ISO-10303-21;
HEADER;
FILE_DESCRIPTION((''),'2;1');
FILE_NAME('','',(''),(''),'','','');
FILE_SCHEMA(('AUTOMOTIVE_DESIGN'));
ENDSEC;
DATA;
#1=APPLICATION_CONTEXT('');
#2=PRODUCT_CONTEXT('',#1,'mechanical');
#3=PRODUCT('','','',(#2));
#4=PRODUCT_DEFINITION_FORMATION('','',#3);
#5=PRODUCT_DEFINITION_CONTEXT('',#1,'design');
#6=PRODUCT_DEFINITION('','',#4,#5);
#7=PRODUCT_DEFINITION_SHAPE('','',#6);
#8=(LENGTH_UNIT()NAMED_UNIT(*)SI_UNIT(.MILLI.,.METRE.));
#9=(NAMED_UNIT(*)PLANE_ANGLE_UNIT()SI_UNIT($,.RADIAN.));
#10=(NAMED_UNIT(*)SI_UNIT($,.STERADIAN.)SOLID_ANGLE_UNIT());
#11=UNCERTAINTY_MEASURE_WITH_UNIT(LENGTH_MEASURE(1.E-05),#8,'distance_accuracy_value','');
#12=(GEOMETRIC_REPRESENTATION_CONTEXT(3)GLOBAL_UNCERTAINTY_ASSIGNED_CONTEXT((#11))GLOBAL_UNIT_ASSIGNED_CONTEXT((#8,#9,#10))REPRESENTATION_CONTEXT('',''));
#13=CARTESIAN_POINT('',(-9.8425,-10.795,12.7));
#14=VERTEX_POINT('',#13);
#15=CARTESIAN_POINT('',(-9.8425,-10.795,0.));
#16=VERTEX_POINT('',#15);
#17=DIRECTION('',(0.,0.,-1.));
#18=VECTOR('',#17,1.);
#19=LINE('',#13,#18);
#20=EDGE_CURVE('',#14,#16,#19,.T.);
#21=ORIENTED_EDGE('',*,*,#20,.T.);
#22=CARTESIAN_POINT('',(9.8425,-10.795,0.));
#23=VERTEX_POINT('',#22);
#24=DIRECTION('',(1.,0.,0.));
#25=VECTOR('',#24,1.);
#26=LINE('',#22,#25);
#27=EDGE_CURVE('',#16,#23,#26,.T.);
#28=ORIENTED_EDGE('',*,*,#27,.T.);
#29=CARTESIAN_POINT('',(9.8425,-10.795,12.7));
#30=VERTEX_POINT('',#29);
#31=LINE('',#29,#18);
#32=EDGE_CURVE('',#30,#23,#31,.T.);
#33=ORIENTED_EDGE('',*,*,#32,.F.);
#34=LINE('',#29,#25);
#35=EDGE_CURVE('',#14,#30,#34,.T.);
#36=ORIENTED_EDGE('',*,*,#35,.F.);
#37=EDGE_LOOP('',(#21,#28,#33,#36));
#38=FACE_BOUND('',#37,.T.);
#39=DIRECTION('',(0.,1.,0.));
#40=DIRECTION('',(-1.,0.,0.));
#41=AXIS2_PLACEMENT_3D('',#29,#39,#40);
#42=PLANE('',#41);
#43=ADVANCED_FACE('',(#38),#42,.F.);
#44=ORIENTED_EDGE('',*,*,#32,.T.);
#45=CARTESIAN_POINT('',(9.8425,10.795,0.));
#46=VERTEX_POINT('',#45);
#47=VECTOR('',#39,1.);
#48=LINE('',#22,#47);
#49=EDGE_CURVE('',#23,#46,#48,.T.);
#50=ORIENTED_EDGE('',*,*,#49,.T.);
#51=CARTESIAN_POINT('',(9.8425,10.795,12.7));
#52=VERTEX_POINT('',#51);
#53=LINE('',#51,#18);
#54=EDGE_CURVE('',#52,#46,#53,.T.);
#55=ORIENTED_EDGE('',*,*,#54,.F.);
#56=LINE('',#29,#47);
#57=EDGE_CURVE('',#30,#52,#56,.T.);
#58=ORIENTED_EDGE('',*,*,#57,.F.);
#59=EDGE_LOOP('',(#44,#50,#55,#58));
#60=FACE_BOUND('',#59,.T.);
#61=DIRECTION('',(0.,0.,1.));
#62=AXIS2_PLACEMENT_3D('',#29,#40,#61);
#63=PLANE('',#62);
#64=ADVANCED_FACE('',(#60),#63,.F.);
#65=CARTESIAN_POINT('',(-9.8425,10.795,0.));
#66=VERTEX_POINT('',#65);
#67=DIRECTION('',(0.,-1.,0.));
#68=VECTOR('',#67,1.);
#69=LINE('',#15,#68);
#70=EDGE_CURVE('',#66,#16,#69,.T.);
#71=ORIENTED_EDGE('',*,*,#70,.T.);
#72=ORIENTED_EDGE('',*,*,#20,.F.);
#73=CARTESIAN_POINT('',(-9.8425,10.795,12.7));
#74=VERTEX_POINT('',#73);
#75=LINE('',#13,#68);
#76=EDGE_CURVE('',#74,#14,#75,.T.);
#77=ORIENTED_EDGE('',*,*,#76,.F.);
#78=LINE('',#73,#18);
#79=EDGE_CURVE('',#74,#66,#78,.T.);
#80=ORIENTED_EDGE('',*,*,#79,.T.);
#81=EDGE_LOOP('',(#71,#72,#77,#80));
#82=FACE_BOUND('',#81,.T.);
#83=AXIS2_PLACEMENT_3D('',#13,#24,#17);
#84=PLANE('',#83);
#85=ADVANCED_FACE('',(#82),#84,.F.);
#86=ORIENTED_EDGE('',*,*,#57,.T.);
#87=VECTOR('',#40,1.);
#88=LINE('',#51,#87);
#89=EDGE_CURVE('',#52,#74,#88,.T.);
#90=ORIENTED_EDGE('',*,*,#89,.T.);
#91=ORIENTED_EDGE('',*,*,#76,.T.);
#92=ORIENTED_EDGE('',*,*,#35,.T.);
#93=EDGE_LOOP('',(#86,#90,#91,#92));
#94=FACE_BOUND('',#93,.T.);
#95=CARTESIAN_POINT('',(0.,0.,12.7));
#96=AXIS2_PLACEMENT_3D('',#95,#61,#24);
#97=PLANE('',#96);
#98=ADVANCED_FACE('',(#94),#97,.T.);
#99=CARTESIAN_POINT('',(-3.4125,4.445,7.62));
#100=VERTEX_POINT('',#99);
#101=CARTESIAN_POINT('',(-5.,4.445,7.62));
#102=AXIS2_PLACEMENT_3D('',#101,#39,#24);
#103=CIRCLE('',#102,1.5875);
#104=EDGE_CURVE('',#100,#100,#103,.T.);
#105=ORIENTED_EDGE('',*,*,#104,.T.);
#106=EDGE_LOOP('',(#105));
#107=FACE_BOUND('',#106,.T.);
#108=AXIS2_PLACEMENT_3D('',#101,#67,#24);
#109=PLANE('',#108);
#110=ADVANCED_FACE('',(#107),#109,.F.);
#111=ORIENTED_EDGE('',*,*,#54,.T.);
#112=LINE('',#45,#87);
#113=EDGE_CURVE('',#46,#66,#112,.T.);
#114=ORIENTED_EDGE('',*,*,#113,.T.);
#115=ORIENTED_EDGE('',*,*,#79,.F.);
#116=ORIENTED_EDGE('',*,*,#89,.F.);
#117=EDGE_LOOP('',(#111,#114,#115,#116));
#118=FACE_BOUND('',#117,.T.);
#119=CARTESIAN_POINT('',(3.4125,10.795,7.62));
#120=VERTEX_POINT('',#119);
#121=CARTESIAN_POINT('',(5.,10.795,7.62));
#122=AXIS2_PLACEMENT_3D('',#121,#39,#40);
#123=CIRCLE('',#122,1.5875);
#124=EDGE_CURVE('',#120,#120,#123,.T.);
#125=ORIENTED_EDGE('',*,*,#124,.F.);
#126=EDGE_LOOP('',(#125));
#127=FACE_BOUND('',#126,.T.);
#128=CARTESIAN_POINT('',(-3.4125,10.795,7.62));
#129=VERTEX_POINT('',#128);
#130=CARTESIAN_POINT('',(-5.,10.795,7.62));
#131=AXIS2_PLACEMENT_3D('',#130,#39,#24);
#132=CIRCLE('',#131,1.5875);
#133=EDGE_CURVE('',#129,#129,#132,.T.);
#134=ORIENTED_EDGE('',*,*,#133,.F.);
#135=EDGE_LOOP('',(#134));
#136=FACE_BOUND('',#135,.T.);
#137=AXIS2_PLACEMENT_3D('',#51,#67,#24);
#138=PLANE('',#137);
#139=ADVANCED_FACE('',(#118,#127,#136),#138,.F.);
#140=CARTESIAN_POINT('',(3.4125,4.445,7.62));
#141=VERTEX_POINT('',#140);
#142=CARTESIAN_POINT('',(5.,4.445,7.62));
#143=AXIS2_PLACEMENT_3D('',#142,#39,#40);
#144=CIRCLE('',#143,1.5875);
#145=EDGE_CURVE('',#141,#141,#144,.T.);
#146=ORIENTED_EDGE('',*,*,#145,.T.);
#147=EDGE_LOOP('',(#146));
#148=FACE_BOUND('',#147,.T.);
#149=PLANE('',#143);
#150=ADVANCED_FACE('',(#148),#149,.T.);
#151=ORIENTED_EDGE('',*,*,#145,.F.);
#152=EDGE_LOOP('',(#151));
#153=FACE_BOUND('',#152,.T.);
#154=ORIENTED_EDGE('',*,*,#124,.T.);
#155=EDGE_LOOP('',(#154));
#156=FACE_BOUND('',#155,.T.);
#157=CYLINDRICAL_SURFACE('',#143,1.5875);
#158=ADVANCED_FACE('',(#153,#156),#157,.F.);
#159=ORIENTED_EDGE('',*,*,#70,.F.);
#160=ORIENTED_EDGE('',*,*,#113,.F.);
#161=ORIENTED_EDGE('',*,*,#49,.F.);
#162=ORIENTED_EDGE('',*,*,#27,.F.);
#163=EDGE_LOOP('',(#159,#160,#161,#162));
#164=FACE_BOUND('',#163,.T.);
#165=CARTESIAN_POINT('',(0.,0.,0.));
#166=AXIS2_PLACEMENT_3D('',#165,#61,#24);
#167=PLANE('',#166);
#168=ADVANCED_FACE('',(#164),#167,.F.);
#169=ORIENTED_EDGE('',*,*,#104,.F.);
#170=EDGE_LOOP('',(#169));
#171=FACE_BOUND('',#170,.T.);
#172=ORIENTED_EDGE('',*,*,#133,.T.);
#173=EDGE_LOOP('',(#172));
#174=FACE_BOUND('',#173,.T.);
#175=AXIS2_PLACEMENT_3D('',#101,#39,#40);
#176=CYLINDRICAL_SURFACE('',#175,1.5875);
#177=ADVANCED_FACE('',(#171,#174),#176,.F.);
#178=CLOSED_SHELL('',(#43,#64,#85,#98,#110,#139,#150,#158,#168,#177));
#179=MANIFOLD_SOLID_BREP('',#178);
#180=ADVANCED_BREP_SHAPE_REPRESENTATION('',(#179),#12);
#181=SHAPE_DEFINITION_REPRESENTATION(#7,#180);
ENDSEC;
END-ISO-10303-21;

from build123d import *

# Parameters (mm, degrees)
SKETCH1_W           = 19.685
SKETCH1_H           = 21.59
BOSS_EXTRUDE1_DEPTH = 12.7
SKETCH7_R           = 1.5875
CUT_EXTRUDE1_DEPTH  = 6.35


with BuildPart() as part:
    # Sketch1 → Boss-Extrude1 (new body)
    with BuildSketch(Plane.XY):
        Rectangle(SKETCH1_W, SKETCH1_H)
    extrude(amount=BOSS_EXTRUDE1_DEPTH)

    # Sketch7 → Cut-Extrude1 (cut)
    with BuildSketch(Plane(origin=(0, 10.795, 0), x_dir=(1, 0, 0), z_dir=(0, 1, 0))):
        with Locations((5, -7.62)):
            Circle(SKETCH7_R)
        with Locations((-5, -7.62)):
            Circle(SKETCH7_R)
    extrude(amount=-CUT_EXTRUDE1_DEPTH, mode=Mode.SUBTRACT)


solid = part.part
